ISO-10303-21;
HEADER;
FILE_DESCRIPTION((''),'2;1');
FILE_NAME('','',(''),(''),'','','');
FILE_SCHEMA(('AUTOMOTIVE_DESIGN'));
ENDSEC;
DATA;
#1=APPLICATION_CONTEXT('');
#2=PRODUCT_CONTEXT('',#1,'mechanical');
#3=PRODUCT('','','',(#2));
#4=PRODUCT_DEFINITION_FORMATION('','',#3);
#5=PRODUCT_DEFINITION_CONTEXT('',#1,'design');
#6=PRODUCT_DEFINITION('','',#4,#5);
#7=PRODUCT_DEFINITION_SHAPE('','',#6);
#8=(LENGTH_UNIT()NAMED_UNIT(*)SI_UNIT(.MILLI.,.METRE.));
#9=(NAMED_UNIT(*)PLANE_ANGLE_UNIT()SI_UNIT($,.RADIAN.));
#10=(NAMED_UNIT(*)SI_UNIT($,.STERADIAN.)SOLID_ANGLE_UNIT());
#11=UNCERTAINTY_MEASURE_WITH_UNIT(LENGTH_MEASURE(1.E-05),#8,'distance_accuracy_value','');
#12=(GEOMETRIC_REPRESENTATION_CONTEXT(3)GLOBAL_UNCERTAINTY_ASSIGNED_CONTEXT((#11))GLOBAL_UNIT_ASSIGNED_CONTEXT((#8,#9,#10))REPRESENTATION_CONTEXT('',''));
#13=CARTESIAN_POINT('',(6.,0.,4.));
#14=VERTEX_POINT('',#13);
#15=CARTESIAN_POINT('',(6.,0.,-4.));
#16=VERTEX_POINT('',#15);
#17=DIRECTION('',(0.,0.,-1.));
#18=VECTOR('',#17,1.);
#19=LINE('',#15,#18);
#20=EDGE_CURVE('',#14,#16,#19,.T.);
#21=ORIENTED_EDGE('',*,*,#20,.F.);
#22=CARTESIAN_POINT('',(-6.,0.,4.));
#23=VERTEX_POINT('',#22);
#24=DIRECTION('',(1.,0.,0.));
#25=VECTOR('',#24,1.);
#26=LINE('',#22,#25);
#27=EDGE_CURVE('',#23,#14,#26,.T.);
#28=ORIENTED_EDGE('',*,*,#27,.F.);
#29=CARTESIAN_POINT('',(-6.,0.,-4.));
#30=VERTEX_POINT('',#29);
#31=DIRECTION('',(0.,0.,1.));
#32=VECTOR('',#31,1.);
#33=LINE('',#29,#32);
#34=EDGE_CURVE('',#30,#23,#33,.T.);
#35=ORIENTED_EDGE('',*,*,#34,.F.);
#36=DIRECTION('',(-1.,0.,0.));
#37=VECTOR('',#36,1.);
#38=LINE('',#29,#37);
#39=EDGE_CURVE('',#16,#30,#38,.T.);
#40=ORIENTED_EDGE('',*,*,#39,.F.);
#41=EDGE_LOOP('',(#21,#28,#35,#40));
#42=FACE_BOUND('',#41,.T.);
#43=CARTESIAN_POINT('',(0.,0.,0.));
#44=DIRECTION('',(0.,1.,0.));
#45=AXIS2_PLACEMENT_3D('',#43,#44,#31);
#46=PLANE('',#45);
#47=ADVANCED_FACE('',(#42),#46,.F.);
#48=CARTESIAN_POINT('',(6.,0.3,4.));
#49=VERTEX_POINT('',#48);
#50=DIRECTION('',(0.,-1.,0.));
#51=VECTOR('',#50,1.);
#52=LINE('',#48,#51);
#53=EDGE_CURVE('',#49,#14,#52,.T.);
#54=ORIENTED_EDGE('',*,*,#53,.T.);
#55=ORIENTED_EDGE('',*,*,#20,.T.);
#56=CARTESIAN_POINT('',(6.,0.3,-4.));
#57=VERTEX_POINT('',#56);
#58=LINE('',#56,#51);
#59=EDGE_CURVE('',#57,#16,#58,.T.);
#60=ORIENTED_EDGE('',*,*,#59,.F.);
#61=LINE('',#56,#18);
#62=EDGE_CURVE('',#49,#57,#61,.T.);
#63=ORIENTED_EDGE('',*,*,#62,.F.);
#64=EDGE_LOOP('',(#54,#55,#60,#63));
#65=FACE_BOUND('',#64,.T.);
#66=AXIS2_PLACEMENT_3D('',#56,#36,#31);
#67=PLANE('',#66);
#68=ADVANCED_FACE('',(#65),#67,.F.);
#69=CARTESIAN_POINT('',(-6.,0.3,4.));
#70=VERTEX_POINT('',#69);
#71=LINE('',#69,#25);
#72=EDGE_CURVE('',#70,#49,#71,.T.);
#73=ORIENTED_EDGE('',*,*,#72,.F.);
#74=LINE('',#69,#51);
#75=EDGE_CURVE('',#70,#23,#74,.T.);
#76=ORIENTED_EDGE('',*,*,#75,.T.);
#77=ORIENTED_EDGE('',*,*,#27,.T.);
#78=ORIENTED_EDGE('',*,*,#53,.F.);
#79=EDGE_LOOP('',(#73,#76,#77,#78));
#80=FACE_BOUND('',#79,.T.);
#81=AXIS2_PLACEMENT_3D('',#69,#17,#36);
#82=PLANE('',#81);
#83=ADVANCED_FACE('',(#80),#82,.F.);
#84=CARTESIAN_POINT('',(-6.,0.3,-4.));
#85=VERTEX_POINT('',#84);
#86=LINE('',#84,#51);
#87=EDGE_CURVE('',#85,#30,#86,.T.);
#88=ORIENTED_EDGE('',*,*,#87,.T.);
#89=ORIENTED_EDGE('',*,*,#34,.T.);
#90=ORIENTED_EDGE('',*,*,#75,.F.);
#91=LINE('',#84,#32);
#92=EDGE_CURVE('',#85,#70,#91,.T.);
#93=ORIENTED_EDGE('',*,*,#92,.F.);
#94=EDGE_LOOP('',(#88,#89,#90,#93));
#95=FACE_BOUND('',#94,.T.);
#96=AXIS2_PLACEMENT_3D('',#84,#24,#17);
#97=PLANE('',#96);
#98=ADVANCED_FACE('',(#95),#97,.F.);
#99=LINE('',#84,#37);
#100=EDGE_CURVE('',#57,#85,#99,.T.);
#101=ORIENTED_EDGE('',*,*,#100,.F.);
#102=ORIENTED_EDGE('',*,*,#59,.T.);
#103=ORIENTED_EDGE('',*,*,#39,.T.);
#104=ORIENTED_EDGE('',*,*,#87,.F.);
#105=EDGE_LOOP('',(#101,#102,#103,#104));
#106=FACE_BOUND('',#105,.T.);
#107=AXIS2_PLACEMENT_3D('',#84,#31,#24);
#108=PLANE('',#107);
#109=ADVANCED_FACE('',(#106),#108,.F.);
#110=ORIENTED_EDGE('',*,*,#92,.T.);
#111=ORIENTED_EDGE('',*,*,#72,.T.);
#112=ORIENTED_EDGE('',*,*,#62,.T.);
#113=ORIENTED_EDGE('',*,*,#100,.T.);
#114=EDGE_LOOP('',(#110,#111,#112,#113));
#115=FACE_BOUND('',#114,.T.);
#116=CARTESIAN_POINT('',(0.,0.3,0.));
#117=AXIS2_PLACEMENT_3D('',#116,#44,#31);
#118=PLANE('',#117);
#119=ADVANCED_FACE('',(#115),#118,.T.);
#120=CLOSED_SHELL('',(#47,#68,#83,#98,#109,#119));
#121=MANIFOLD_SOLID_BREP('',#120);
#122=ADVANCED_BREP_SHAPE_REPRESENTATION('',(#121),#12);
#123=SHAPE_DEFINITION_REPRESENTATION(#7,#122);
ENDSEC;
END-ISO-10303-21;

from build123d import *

# Parameters (mm, degrees)
CROQUIS1_W              = 12
CROQUIS1_H              = 8
SALIENTE_EXTRUIR1_DEPTH = 0.3


with BuildPart() as part:
    # Croquis1 → Saliente-Extruir1 (new body)
    with BuildSketch(Plane(origin=(0, 0, 0), x_dir=(1, 0, 0), z_dir=(0, 1, 0))):
        Rectangle(CROQUIS1_W, CROQUIS1_H)
    extrude(amount=SALIENTE_EXTRUIR1_DEPTH)


solid = part.part
